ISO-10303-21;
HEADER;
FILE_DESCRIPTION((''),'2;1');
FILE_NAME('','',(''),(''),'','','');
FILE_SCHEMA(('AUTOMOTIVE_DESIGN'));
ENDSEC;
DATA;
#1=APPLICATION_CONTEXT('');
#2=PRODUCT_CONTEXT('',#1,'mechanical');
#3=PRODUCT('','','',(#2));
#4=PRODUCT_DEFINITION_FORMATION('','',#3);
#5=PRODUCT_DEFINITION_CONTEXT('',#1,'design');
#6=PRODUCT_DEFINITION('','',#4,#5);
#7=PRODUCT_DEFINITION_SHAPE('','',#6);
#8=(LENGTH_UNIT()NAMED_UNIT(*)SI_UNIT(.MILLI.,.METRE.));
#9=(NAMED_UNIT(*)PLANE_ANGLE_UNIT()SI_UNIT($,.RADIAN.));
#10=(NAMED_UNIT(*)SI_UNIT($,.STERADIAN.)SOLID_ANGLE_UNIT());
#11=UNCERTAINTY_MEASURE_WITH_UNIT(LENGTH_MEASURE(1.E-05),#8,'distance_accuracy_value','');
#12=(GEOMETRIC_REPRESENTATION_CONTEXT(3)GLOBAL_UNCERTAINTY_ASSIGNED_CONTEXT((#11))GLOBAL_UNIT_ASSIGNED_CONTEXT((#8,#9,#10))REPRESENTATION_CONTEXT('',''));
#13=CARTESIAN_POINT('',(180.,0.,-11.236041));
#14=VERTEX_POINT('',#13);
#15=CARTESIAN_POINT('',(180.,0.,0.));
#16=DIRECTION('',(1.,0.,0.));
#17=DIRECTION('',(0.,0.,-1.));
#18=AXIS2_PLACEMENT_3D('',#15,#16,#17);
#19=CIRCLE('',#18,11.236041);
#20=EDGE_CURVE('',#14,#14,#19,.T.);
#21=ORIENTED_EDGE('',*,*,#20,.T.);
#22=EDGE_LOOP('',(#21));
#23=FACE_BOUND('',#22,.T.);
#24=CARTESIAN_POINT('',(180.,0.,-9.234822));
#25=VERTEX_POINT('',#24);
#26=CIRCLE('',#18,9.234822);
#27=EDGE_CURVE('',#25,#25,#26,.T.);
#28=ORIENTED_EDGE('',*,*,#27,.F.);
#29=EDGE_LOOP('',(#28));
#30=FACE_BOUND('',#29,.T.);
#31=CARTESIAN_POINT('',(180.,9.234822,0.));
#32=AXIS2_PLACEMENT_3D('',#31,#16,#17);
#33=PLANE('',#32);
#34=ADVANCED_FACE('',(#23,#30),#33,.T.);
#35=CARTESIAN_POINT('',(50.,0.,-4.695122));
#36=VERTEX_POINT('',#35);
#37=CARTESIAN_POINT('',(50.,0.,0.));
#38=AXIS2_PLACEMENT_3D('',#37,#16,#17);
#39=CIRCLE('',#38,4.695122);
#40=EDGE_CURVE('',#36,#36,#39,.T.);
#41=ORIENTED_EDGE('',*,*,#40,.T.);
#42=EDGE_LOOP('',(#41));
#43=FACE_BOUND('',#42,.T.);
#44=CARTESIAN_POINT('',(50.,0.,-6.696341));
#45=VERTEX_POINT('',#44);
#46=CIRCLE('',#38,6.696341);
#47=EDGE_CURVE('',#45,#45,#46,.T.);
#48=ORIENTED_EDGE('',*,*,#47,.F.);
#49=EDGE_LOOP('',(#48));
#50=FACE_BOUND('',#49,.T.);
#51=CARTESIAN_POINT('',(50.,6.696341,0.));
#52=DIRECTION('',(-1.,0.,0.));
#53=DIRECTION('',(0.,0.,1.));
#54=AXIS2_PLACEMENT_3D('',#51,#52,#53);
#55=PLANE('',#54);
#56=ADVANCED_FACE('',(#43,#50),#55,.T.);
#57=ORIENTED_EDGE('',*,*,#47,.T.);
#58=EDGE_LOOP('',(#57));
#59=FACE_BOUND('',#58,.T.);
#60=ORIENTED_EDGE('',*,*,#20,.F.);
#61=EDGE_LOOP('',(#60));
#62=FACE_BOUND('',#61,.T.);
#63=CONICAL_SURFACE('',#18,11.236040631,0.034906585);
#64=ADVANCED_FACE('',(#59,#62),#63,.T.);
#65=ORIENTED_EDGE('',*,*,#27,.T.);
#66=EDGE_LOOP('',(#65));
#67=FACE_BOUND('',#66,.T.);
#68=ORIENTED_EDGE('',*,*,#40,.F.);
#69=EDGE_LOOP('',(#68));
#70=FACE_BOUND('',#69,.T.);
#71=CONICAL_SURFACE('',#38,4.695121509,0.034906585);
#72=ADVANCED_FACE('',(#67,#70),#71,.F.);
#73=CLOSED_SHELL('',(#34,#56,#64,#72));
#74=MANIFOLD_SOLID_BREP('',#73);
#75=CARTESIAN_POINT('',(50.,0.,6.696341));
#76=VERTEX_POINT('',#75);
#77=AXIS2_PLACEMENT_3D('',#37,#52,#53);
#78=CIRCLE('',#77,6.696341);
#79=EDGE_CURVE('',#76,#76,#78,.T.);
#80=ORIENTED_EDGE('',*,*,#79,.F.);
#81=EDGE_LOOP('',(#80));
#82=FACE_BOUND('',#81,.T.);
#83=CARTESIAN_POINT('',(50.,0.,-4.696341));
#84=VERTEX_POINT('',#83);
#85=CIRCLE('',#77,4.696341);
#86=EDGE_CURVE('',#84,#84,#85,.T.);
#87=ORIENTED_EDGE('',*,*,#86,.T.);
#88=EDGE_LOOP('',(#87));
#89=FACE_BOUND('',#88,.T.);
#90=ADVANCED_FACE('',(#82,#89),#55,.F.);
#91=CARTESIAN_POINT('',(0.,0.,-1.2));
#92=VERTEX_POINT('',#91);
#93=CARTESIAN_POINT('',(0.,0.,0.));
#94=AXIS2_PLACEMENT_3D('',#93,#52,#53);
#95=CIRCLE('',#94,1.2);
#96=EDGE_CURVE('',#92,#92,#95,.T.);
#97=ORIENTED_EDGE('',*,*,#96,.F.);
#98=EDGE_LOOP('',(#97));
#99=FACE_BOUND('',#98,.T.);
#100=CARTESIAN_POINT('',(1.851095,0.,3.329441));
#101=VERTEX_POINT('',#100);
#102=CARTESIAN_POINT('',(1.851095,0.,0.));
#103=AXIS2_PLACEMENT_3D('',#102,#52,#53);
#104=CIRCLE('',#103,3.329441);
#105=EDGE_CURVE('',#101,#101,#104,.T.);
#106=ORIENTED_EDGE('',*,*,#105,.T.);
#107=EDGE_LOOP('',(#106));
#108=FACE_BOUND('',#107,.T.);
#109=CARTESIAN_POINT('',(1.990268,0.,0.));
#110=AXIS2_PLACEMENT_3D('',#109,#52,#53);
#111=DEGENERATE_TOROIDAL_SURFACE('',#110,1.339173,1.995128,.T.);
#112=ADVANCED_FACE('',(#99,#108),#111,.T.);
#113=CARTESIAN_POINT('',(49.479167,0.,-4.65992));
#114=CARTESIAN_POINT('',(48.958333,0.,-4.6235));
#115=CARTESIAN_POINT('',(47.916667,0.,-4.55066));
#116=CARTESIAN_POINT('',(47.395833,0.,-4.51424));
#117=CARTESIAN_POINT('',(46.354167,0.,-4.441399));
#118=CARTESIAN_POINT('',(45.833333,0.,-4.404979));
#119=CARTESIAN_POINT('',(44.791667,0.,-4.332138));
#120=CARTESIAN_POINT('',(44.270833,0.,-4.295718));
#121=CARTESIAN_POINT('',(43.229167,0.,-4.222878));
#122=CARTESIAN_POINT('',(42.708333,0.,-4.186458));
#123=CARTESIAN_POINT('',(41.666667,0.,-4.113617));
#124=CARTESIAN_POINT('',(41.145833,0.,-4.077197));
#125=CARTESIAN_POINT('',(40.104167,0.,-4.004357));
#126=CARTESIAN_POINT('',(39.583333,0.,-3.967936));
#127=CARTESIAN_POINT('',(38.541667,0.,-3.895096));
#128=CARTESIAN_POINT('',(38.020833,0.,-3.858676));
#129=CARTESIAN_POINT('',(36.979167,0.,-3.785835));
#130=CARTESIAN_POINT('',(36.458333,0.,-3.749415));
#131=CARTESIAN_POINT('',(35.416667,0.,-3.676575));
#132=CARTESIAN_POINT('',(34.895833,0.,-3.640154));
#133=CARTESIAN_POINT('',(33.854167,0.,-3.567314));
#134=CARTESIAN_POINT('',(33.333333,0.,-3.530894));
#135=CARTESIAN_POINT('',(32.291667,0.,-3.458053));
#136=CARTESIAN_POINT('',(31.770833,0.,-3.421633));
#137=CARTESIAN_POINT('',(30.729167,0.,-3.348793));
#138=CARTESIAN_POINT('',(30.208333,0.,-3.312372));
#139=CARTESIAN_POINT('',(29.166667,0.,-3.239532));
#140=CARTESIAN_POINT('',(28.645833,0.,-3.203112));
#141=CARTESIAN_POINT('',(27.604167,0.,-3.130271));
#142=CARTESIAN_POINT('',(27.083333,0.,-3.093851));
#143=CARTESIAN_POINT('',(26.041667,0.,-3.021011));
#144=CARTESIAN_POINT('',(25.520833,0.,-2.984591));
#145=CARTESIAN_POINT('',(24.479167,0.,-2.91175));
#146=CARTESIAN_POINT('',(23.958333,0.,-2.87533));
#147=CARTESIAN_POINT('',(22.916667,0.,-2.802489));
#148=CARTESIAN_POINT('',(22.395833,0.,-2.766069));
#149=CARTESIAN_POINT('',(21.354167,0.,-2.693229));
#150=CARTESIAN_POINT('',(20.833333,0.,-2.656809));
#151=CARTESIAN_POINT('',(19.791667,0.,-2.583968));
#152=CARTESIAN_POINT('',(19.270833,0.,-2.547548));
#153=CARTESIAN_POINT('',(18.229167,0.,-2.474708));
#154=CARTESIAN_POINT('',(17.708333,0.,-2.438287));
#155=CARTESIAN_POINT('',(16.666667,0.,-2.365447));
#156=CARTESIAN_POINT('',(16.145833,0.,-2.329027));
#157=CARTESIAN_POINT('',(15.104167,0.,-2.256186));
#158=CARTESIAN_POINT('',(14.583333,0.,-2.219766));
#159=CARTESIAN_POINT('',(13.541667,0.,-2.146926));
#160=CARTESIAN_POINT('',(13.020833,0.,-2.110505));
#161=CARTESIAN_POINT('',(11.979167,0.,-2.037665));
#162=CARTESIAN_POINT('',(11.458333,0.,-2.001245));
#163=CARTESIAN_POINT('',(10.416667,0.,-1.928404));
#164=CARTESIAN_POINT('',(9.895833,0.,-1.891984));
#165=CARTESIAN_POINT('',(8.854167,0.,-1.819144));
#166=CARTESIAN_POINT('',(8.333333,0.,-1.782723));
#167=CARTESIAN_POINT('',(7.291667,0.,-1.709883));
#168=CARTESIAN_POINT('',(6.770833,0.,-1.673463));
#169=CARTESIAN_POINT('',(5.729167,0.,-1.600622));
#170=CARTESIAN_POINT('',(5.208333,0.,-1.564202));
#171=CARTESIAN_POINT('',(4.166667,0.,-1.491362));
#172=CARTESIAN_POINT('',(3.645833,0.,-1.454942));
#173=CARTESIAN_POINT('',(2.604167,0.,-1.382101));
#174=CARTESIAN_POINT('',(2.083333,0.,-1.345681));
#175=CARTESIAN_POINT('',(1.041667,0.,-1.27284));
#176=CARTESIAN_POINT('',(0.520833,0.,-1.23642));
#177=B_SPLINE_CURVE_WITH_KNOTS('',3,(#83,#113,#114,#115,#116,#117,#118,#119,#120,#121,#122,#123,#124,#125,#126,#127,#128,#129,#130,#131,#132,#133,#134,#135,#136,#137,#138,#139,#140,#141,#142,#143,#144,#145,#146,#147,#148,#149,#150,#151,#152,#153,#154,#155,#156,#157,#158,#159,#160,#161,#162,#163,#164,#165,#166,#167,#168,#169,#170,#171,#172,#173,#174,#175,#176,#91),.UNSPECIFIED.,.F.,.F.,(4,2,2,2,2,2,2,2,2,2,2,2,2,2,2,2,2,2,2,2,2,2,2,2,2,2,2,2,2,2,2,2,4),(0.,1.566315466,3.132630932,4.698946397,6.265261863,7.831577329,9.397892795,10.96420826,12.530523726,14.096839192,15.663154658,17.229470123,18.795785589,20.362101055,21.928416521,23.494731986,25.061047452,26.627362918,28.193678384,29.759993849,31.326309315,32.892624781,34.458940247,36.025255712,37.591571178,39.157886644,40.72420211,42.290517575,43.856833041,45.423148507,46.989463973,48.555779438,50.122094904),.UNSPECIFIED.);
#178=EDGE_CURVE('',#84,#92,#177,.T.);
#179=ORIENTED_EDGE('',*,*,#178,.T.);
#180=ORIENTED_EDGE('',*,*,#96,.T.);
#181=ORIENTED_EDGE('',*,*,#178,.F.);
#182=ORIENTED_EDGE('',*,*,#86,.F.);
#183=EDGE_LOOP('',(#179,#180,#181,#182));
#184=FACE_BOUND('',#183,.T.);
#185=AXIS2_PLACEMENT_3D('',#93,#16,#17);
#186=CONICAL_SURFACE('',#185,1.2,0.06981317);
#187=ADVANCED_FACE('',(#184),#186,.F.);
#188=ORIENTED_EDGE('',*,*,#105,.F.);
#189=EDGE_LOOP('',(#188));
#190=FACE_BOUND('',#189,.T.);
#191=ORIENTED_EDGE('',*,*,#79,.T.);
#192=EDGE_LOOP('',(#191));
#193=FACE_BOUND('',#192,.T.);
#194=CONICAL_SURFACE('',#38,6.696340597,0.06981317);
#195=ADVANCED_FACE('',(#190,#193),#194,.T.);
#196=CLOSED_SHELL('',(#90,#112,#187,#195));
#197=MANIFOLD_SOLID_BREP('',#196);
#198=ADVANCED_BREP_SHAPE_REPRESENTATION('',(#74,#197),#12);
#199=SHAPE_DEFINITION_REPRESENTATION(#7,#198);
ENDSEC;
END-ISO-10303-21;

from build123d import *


with BuildPart() as part:
    # Sketch2 → Revolve2 (revolve)
    with BuildSketch(Plane.XY, mode=Mode.PRIVATE) as revolve2_sk:
        with BuildLine():
            Line((0, 1.2), (50, 4.696340597))
            Line((50, 4.696340597), (50, 6.696340597))
            Line((50, 6.696340597), (1.851094968, 3.32944117))
            ThreePointArc((1.851094968, 3.32944117), (0.484525778, 2.648094905), (0, 1.2))
        make_face()
    revolve(revolve2_sk.sketch.rotate(Axis((-19.275847123, 0, 0), (1, 0, 0)), 90), axis=Axis((-19.275847123, 0, 0), (1, 0, 0)))


with BuildPart() as body_2:
    # Sketch3 → Revolve3 (revolve)
    with BuildSketch(Plane.XY, mode=Mode.PRIVATE) as revolve3_sk:
        Polygon((50, 4.695121509), (180, 9.234821543), (180, 11.236040631), (50, 6.696340597), align=None)
    revolve(revolve3_sk.sketch.rotate(Axis((50, 0, 0), (-1, 0, 0)), 90), axis=Axis((50, 0, 0), (-1, 0, 0)))


solid = Compound([part.part, body_2.part])
